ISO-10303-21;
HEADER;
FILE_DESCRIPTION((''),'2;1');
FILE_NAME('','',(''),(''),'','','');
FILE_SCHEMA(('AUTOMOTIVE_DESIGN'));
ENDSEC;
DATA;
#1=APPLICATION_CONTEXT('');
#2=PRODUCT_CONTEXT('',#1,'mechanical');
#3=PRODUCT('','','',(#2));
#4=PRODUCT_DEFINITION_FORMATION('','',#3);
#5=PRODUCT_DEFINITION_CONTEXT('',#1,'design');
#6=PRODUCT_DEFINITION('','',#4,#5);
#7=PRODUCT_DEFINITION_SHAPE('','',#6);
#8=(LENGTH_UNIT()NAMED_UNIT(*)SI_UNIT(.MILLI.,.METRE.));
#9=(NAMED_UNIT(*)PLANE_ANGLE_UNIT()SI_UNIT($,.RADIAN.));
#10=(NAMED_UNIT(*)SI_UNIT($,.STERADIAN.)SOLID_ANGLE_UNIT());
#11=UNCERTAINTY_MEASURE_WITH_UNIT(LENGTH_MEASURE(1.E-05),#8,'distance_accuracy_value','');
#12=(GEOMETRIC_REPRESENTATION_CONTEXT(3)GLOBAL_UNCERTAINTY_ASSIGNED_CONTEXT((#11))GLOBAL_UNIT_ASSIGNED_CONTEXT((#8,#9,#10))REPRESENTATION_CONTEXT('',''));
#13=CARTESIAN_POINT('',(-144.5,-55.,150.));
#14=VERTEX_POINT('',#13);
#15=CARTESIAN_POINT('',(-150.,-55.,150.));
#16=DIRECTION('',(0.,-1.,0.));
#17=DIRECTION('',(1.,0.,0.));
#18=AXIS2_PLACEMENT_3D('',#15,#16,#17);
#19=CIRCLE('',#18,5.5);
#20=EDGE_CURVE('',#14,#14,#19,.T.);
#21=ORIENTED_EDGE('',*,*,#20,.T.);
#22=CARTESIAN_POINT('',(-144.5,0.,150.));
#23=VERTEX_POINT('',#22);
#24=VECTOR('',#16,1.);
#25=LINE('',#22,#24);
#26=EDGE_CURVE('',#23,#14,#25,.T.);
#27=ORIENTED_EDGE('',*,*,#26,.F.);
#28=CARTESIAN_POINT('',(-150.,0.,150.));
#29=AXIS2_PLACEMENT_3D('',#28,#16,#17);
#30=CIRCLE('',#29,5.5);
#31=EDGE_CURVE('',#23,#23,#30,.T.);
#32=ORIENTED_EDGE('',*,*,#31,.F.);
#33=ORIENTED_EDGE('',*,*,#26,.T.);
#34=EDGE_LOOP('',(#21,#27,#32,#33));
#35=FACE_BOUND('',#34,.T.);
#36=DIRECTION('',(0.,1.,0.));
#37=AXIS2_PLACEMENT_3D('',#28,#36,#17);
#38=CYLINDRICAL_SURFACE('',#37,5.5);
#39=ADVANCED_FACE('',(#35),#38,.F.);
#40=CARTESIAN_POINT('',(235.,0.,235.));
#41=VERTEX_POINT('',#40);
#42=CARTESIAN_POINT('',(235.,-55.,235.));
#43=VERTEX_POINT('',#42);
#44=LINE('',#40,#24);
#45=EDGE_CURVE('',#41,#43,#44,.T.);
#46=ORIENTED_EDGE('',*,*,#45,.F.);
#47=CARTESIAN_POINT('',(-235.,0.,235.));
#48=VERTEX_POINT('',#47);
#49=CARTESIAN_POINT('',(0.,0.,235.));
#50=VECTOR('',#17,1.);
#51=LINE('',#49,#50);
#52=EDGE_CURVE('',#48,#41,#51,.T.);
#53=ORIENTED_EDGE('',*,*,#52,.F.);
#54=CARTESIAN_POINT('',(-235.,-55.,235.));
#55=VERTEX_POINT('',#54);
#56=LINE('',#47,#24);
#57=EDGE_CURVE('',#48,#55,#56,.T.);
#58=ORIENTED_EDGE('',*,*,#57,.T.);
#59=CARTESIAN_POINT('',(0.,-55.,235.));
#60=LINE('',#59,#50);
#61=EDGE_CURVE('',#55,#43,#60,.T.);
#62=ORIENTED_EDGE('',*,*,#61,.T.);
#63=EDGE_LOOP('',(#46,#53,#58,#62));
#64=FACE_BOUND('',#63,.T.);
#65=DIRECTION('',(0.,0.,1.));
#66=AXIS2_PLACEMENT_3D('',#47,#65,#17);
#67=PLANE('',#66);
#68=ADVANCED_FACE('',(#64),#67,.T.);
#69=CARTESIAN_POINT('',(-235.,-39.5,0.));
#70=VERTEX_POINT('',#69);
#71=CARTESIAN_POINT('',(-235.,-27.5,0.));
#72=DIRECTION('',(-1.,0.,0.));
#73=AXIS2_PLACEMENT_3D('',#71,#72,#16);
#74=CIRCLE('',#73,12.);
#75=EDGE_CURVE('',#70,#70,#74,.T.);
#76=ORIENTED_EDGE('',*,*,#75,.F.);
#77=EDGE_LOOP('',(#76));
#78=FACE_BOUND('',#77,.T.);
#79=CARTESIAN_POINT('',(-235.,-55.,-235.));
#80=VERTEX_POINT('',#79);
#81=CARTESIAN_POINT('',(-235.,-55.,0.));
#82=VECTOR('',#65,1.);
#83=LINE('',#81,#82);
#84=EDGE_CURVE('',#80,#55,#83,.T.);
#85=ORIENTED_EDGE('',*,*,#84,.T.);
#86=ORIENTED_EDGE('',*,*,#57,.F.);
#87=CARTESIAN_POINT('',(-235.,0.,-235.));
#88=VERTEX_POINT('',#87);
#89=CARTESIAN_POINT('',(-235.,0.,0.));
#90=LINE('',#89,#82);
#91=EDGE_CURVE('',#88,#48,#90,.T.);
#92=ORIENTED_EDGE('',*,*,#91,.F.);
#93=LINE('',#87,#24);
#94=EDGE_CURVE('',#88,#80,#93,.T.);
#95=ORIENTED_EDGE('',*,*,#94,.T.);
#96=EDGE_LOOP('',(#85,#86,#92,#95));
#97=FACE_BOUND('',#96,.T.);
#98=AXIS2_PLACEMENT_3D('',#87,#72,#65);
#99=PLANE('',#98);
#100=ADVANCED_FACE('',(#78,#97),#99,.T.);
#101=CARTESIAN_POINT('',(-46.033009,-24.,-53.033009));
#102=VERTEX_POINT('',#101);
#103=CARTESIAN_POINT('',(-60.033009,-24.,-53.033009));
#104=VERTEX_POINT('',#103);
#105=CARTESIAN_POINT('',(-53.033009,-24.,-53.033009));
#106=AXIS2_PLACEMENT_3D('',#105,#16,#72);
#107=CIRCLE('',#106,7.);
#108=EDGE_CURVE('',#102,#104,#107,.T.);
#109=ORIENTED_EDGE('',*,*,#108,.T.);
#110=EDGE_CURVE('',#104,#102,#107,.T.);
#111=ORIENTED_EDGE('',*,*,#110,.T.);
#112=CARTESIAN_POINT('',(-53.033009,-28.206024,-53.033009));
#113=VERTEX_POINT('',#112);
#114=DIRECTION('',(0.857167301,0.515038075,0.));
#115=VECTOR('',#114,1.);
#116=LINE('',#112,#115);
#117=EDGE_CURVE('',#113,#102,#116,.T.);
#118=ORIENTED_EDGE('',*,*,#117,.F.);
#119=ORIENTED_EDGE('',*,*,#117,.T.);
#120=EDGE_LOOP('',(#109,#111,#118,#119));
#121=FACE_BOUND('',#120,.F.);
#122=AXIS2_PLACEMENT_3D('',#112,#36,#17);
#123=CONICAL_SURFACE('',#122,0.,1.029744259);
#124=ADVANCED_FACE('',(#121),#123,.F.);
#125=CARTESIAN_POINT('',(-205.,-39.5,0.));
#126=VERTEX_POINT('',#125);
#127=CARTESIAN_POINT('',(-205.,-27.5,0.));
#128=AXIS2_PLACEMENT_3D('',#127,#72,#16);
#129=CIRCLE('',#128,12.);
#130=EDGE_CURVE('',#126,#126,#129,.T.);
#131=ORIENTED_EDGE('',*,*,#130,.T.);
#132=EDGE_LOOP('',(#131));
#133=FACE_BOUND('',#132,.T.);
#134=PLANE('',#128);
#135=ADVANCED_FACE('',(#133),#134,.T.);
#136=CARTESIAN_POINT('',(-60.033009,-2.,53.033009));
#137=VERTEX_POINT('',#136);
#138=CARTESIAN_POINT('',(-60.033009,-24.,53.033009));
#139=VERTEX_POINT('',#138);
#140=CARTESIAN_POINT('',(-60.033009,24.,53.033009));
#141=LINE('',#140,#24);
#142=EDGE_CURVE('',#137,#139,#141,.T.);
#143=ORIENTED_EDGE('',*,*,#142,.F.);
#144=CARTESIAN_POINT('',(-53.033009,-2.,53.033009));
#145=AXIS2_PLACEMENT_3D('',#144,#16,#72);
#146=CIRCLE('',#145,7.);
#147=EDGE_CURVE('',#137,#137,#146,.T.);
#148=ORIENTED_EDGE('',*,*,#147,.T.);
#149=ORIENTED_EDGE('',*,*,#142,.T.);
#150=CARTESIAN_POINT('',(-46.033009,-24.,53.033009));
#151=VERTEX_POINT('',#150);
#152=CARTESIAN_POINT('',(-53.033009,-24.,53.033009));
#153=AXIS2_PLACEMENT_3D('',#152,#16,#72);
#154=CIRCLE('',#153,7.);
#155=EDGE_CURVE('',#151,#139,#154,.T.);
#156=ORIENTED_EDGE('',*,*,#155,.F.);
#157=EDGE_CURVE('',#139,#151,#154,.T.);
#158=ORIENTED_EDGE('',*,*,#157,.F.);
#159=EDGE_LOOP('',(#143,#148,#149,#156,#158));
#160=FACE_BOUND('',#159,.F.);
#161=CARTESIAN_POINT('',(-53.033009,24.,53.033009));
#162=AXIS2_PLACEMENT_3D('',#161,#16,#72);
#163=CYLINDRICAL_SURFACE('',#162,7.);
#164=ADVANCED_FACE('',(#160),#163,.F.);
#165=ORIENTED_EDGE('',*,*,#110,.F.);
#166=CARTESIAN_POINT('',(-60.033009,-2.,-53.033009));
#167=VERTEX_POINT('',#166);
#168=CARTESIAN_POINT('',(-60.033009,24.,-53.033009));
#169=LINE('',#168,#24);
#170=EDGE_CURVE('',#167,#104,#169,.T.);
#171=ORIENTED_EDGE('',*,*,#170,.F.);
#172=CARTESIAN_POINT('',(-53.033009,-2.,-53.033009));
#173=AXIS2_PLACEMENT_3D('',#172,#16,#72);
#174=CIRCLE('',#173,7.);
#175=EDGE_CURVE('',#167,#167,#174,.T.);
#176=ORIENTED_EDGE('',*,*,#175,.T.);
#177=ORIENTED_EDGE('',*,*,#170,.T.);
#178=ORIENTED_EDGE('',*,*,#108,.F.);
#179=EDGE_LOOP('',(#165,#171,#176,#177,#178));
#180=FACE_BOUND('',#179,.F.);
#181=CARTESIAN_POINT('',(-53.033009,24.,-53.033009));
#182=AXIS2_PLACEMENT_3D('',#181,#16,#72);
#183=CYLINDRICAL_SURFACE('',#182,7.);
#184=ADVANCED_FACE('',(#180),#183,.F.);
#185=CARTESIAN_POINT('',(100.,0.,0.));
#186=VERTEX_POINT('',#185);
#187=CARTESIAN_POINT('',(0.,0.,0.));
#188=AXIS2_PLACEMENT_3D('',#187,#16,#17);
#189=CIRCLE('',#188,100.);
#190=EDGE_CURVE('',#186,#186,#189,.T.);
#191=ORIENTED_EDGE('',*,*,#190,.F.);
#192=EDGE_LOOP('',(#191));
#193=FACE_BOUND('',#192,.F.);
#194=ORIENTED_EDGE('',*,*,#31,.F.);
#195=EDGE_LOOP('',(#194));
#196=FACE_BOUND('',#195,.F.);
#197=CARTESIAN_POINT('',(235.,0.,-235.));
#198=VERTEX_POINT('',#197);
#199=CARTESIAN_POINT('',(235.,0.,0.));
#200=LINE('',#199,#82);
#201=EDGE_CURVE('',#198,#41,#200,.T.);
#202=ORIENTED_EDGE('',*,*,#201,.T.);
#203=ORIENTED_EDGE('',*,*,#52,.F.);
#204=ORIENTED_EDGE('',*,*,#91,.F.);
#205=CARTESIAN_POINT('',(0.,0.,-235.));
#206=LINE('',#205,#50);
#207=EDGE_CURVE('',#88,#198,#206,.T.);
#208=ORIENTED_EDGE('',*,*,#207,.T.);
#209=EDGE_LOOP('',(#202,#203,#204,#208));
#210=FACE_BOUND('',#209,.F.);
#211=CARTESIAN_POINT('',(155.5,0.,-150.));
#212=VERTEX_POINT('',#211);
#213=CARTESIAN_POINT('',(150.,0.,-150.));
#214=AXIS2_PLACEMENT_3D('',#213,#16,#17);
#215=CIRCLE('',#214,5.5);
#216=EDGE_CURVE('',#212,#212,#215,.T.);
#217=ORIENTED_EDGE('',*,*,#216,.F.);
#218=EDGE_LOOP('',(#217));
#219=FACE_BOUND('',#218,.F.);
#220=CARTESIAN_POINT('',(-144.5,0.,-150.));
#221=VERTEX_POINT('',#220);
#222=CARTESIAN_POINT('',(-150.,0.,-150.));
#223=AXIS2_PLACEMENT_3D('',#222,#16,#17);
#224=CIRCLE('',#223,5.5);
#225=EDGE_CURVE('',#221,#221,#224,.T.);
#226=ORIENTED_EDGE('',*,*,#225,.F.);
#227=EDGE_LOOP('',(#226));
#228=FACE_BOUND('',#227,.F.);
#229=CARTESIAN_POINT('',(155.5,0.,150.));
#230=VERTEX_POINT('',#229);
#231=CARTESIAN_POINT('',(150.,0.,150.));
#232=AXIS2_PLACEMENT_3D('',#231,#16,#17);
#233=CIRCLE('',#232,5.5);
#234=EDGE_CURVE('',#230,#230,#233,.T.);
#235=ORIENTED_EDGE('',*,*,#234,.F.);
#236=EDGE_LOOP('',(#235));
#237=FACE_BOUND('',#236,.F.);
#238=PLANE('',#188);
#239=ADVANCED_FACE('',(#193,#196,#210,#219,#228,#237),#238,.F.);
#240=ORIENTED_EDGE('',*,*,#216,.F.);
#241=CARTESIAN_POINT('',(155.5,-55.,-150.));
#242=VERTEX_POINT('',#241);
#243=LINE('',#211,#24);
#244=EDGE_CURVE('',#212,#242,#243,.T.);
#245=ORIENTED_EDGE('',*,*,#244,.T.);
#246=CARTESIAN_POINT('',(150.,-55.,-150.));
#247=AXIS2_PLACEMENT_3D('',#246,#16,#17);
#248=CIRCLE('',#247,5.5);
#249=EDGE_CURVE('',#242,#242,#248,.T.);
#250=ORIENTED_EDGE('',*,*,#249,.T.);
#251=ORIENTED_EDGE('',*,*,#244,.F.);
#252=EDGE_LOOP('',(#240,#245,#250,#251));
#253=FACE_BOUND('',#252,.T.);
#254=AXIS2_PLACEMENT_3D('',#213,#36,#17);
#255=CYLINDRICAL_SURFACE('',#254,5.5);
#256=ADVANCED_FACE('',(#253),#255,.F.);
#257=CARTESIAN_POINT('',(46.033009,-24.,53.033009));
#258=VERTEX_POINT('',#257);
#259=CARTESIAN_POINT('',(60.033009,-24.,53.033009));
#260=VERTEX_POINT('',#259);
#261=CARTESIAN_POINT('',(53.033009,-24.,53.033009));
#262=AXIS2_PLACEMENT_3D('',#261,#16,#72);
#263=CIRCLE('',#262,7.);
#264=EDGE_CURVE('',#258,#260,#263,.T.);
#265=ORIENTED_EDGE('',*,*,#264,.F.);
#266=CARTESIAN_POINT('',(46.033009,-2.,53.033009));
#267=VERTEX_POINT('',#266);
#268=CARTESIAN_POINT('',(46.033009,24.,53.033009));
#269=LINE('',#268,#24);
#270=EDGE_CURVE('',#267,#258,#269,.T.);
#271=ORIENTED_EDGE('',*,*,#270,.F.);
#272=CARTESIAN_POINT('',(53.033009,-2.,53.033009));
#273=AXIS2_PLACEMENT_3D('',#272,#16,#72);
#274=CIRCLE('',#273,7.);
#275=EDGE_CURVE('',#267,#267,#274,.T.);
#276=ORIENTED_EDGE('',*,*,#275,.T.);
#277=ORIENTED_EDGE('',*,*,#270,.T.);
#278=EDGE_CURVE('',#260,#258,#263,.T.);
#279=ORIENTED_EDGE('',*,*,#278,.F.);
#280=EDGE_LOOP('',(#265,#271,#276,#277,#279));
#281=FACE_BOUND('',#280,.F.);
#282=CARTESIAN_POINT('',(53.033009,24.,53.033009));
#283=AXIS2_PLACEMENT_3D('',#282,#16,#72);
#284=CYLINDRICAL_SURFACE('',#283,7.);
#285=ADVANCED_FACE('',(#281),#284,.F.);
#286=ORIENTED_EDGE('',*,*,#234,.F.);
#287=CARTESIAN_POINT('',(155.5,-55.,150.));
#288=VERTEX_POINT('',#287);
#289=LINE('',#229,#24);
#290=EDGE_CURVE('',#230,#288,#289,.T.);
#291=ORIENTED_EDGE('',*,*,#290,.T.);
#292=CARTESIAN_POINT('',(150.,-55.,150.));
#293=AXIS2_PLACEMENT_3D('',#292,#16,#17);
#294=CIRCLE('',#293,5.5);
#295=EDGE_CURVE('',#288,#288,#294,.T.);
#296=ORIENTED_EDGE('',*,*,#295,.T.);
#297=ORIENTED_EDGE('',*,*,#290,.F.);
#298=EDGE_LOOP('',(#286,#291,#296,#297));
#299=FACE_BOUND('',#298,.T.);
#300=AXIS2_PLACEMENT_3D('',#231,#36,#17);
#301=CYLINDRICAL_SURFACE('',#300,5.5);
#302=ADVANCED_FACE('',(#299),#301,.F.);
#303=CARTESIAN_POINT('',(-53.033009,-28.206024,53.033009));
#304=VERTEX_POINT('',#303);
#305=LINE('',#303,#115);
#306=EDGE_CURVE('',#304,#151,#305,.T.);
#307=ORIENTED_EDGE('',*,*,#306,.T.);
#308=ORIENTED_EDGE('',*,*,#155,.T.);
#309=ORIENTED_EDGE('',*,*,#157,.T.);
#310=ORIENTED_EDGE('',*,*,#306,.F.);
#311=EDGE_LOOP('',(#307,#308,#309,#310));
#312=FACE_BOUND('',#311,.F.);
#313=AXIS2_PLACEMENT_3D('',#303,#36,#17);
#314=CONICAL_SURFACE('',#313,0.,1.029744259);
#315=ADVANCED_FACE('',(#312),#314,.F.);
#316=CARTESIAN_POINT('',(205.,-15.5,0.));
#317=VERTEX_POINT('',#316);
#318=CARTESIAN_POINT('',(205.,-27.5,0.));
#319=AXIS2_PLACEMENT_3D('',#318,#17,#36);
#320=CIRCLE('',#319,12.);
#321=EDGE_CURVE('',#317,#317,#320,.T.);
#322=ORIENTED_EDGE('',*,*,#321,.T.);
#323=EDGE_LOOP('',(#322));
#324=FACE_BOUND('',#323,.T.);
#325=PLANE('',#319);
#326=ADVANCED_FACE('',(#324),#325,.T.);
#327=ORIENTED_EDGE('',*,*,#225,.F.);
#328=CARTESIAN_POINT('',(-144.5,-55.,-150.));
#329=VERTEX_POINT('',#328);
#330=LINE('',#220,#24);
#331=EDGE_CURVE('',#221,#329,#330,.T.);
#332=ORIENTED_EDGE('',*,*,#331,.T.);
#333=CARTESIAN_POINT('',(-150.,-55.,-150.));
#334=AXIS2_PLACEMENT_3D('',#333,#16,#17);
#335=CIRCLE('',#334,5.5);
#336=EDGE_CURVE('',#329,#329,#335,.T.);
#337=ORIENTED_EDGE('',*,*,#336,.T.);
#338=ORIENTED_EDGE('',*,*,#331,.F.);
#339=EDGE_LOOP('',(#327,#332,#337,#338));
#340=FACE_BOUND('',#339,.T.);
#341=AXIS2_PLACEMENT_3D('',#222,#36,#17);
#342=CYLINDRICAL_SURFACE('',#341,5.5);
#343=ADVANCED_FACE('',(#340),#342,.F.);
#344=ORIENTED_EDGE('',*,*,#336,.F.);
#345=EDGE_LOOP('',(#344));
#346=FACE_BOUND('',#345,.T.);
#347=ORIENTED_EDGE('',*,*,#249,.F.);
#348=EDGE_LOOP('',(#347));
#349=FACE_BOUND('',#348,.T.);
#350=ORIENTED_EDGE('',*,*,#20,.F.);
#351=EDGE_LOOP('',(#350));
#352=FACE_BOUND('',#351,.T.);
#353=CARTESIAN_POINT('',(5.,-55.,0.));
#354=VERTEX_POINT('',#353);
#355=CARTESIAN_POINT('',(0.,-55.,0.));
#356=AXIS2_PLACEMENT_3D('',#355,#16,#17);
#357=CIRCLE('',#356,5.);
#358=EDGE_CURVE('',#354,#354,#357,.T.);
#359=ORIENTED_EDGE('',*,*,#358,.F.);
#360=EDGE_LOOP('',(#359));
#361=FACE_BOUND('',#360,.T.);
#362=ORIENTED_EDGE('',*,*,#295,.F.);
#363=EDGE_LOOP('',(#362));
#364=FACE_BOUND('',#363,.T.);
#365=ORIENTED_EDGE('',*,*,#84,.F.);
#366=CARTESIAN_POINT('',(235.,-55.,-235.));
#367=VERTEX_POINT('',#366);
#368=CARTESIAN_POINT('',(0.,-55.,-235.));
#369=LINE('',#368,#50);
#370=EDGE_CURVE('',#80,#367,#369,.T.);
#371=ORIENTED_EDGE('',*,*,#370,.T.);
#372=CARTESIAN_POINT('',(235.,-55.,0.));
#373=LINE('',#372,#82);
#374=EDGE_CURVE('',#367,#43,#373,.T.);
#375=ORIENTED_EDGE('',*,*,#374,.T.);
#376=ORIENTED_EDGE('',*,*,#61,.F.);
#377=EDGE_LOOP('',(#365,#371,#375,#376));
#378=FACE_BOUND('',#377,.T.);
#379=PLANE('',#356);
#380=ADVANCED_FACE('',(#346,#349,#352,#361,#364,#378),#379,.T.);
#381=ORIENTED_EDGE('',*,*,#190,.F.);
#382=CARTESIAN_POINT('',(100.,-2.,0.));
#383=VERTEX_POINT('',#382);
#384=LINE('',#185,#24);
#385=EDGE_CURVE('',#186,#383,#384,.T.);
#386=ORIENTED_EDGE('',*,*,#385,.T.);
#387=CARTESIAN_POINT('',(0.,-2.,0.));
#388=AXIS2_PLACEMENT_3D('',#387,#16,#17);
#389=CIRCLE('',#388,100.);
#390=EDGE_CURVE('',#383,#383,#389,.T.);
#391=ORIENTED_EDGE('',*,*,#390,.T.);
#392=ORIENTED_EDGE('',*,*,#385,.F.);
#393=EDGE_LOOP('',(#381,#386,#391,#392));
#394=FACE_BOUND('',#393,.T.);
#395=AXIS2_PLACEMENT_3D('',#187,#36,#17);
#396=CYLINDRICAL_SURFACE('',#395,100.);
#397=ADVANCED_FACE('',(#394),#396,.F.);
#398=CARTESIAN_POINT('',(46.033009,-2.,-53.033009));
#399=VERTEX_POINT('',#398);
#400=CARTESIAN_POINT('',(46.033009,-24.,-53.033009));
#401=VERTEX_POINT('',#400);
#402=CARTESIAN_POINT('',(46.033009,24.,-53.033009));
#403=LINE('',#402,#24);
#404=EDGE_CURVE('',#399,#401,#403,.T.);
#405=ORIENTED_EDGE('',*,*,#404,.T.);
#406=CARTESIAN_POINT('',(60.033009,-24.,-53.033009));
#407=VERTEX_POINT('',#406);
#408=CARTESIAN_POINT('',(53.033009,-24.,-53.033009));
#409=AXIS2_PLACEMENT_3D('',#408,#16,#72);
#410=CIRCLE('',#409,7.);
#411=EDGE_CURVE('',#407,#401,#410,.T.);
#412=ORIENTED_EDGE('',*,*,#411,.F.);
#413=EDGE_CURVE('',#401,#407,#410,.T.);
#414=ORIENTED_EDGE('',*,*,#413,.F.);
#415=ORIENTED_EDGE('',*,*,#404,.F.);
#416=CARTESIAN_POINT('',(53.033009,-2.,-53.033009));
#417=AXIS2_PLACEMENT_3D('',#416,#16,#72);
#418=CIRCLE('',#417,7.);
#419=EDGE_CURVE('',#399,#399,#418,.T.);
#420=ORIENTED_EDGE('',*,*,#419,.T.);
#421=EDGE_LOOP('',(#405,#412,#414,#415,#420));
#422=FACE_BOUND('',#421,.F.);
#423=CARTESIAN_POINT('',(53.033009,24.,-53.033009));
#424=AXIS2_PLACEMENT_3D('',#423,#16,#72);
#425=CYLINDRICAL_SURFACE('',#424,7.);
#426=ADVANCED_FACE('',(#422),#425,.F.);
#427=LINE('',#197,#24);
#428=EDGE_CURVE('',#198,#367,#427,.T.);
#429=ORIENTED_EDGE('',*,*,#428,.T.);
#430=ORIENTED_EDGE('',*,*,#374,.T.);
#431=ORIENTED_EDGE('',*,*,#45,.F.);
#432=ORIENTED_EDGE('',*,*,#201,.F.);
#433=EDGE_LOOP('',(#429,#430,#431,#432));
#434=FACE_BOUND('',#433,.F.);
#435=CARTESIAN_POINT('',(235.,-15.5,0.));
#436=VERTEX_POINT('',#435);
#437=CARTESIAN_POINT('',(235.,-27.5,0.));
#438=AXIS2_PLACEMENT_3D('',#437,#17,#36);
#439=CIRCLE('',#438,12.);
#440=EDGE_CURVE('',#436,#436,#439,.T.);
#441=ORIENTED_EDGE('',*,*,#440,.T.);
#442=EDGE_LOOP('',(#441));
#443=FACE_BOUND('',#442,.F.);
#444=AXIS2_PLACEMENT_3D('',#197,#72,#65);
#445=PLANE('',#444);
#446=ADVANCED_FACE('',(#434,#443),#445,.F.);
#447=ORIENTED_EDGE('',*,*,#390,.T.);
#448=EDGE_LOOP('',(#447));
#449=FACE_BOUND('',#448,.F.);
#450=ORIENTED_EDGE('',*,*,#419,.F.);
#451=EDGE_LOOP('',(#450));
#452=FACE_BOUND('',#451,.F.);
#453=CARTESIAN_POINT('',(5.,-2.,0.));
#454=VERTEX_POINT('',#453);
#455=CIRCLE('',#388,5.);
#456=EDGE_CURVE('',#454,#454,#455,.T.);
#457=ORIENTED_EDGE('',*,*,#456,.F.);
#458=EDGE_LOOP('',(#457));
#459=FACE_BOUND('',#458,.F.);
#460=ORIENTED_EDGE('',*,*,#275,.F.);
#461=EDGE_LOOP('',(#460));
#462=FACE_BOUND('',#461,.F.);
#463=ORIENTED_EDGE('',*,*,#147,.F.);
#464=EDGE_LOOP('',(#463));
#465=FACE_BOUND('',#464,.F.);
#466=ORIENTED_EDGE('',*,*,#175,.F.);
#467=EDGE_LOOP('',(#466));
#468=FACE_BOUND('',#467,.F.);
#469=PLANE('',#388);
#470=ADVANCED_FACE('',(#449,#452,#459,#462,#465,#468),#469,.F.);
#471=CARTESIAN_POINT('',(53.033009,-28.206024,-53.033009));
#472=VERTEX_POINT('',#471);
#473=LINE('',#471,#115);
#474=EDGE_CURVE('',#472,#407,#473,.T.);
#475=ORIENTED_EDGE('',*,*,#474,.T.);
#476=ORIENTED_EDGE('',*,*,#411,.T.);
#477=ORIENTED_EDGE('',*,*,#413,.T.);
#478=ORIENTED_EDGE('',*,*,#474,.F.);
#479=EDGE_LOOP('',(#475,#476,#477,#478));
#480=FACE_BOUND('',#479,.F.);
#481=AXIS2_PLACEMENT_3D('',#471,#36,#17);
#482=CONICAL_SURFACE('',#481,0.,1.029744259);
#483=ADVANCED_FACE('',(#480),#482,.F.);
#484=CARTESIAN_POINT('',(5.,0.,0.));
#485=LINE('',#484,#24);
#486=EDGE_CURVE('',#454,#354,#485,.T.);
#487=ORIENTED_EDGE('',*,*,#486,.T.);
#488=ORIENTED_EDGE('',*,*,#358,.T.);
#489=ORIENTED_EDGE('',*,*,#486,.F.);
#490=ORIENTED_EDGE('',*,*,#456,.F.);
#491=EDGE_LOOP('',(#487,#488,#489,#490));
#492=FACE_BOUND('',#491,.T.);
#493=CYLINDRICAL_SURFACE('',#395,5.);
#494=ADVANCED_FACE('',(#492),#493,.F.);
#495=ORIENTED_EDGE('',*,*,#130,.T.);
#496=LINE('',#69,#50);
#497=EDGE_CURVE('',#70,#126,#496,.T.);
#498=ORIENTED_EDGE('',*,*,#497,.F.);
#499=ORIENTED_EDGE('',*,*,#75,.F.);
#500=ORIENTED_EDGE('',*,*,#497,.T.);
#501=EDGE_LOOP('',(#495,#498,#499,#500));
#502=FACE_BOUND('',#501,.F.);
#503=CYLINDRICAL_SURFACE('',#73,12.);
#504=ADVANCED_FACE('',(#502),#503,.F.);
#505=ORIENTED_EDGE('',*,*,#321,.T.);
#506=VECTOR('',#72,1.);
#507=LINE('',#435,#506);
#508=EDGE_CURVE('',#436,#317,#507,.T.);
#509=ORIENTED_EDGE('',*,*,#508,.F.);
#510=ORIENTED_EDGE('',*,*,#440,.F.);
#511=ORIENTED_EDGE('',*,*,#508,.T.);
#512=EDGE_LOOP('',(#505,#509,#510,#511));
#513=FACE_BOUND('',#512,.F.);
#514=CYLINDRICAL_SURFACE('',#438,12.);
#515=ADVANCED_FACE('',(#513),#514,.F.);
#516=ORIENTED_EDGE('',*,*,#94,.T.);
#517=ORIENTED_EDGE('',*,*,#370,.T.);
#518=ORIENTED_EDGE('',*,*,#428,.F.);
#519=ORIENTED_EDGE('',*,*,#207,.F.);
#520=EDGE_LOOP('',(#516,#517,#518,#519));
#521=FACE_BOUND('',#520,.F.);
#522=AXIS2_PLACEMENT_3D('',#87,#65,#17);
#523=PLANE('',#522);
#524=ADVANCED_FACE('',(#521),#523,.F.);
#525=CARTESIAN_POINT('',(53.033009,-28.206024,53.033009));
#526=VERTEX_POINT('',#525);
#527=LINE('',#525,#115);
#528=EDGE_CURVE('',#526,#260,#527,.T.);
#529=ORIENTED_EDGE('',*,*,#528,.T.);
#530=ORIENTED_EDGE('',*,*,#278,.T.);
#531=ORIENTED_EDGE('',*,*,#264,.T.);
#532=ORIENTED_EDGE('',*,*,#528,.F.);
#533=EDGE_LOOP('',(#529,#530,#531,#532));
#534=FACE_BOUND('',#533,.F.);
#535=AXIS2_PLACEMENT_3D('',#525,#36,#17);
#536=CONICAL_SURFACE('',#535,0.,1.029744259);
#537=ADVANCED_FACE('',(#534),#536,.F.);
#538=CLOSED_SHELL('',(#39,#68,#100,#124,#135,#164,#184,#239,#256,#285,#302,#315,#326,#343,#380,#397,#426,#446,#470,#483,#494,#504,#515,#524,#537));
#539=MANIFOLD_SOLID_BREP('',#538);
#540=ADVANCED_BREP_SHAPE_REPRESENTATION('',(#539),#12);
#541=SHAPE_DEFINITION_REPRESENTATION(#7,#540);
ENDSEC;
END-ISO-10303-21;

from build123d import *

# Parameters (mm, degrees)
F0_W     = 470
F0_H     = 470
F0_R     = 5.5
F0_R_2   = 5
F1_DEPTH = 55
F2_D     = 14
F2_DEPTH = 24
F2_TIP   = 4.2060243332
F3_R     = 100
F3_R_2   = 5
F4_DEPTH = 2
F5_R     = 12
F6_DEPTH = 30
F7_R     = 12
F8_DEPTH = 30


with BuildPart() as f1:
    # F0 (on Front) → F1 (new body)
    with BuildSketch(Plane.XZ):
        Rectangle(F0_W, F0_H)
        with Locations((-150, -150)):
            Circle(F0_R, mode=Mode.SUBTRACT)
        with Locations((150, -150)):
            Circle(F0_R, mode=Mode.SUBTRACT)
        with Locations((-150, 150)):
            Circle(F0_R, mode=Mode.SUBTRACT)
        Circle(F0_R_2, mode=Mode.SUBTRACT)
        with Locations((150, 150)):
            Circle(F0_R, mode=Mode.SUBTRACT)
    extrude(amount=F1_DEPTH)

    # F2
    with Locations(Plane(origin=(0, 0, 0), x_dir=(1, 0, 0), z_dir=(0, 1, 0))):
        with Locations((53.033008589, -53.033008589), (-53.033008589, -53.033008589), (-53.033008589, 53.033008589), (53.033008589, 53.033008589)):
            Hole(F2_D / 2, depth=F2_DEPTH)
            with Locations((0, 0, -(F2_DEPTH + F2_TIP / 2))):  # 118° drill point
                Cone(0, F2_D / 2, F2_TIP, mode=Mode.SUBTRACT)

    # F3 (on face) → F4 (cut)
    with BuildSketch(Plane.XZ):
        Circle(F3_R)
        Circle(F3_R_2, mode=Mode.SUBTRACT)
    extrude(amount=F4_DEPTH, mode=Mode.SUBTRACT)

    # F5 (on face) → F6 (cut)
    with BuildSketch(Plane.YZ.offset(235)):
        with Locations((-27.5, 0)):
            Circle(F5_R)
    extrude(amount=-F6_DEPTH, mode=Mode.SUBTRACT)

    # F7 (on face) → F8 (cut)
    with BuildSketch(Plane(origin=(-235, 0, 0), x_dir=(0, -1, 0), z_dir=(-1, 0, 0))):
        with Locations((27.5, 0)):
            Circle(F7_R)
    extrude(amount=-F8_DEPTH, mode=Mode.SUBTRACT)


solid = f1.part
